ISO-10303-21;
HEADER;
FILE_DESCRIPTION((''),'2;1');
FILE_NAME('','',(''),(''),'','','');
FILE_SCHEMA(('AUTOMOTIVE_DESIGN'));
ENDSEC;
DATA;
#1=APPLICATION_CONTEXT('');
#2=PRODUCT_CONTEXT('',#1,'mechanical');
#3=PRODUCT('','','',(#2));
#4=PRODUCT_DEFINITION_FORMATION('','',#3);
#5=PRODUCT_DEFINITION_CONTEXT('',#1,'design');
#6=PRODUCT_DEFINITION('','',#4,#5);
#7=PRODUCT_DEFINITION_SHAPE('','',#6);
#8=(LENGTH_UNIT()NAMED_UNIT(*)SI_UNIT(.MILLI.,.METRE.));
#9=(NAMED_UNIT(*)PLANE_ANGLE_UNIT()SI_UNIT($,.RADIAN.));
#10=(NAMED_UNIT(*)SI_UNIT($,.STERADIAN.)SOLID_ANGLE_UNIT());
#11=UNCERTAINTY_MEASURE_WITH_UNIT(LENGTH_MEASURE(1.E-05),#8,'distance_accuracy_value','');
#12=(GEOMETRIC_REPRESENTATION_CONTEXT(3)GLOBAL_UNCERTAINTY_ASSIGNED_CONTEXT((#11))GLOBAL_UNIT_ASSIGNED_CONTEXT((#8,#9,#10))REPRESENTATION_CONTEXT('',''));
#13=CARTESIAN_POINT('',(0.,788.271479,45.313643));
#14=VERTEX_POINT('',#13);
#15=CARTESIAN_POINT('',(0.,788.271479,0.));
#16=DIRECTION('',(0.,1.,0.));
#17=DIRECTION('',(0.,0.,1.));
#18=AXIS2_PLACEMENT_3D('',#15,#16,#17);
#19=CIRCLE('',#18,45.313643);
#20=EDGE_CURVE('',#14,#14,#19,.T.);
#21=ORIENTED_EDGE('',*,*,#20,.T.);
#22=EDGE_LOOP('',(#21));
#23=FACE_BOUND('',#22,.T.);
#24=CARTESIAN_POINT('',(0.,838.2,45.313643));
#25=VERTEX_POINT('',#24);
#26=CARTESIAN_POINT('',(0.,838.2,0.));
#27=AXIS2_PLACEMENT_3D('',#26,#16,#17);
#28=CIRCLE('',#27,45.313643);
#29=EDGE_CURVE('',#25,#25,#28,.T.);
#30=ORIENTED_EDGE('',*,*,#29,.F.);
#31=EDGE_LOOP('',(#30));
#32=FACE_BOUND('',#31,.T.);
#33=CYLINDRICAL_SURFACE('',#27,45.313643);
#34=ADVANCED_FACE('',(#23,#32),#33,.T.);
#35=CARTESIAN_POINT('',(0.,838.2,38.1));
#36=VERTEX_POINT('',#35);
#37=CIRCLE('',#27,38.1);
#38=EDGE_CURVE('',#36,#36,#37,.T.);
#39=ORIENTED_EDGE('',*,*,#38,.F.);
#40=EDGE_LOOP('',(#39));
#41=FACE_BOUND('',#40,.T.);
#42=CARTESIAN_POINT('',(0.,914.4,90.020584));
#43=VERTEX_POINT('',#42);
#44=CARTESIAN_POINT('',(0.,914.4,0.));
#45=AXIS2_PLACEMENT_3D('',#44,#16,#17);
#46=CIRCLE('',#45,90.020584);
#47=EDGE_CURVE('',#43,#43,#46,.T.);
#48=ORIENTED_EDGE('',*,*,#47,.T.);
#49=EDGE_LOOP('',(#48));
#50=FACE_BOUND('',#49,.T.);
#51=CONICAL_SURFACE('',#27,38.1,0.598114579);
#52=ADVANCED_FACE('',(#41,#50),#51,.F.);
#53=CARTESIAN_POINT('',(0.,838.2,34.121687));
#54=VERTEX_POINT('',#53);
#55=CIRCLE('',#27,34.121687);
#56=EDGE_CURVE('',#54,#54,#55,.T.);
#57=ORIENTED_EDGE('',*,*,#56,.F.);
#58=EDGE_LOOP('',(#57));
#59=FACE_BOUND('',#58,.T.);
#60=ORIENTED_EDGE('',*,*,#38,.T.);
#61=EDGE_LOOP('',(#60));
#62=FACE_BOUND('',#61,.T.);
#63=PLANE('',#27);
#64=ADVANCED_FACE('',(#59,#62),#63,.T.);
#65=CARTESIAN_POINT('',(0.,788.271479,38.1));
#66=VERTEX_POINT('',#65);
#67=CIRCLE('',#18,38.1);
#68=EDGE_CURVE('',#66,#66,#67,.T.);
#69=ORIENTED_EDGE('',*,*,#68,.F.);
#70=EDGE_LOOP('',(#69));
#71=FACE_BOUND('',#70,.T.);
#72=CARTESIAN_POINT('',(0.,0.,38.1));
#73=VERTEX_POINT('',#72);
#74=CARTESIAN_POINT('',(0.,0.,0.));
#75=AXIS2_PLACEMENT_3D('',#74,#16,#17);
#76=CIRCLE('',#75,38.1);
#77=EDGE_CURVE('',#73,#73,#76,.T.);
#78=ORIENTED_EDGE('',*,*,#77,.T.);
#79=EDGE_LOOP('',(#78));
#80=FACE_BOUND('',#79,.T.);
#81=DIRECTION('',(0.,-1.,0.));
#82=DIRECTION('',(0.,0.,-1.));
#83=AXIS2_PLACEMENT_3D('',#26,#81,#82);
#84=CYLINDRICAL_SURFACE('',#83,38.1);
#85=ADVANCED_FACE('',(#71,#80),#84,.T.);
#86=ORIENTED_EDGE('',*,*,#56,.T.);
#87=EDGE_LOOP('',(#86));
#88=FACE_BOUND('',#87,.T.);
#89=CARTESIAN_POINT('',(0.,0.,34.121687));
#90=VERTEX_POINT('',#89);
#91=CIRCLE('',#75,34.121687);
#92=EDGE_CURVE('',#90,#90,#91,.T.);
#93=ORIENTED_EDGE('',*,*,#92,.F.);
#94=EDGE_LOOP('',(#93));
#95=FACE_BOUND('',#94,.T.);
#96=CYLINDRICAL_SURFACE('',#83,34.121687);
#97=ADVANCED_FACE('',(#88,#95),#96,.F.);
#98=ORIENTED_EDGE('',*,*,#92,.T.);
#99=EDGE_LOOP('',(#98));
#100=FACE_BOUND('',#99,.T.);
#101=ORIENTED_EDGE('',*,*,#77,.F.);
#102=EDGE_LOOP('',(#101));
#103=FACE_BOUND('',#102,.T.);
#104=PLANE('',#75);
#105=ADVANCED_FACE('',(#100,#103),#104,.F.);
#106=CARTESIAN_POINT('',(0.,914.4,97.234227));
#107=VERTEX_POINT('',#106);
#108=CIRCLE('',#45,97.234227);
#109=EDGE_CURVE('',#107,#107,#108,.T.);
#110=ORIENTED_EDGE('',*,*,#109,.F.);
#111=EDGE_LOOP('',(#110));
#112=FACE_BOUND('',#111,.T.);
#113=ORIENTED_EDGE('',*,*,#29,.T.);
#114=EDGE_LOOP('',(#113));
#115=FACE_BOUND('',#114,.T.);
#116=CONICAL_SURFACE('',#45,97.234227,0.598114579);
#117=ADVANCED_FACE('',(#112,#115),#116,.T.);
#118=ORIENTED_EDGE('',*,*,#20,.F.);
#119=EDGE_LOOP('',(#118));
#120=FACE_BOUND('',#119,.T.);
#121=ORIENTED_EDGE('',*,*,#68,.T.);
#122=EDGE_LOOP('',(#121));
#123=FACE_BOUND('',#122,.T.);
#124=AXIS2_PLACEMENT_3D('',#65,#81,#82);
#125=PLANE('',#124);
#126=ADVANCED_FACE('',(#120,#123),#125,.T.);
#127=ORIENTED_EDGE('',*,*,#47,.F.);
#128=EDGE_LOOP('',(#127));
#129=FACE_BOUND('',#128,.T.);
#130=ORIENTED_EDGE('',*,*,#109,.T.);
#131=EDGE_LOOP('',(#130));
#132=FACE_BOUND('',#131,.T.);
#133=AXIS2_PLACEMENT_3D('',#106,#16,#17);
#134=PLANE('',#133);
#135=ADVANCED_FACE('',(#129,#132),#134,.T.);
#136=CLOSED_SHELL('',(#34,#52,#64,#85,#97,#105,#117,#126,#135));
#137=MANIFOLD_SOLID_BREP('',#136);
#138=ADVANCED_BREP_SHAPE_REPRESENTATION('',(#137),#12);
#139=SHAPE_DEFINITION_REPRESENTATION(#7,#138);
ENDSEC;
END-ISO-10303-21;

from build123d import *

# Parameters (mm, degrees)
SKETCH1_R           = 38.1
SKETCH1_R_2         = 34.121686747
BOSS_EXTRUDE1_DEPTH = 838.2


with BuildPart() as part:
    # Sketch1 → Boss-Extrude1 (new body)
    with BuildSketch(Plane(origin=(0, 0, 0), x_dir=(1, 0, 0), z_dir=(0, 1, 0))):
        with Locations(Location((0, 0, 0), (0, 0, 270))):
            Circle(SKETCH1_R)
        with Locations(Location((0, 0, 0), (0, 0, 270))):
            Circle(SKETCH1_R_2, mode=Mode.SUBTRACT)
    extrude(amount=BOSS_EXTRUDE1_DEPTH)

    # Sketch2 → Revolve1 (revolve)
    with BuildSketch(Plane(origin=(0, 0, 0), x_dir=(0, 0, -1), z_dir=(1, 0, 0))):
        Polygon((-38.1, 788.271478615), (-45.313643111, 788.271478615), (-45.313643111, 838.2), (-97.234227, 914.4), (-90.020583889, 914.4), (-38.1, 838.2), align=None)
    revolve(axis=Axis((0, 838.2, 0), (0, -1, 0)))


solid = part.part
